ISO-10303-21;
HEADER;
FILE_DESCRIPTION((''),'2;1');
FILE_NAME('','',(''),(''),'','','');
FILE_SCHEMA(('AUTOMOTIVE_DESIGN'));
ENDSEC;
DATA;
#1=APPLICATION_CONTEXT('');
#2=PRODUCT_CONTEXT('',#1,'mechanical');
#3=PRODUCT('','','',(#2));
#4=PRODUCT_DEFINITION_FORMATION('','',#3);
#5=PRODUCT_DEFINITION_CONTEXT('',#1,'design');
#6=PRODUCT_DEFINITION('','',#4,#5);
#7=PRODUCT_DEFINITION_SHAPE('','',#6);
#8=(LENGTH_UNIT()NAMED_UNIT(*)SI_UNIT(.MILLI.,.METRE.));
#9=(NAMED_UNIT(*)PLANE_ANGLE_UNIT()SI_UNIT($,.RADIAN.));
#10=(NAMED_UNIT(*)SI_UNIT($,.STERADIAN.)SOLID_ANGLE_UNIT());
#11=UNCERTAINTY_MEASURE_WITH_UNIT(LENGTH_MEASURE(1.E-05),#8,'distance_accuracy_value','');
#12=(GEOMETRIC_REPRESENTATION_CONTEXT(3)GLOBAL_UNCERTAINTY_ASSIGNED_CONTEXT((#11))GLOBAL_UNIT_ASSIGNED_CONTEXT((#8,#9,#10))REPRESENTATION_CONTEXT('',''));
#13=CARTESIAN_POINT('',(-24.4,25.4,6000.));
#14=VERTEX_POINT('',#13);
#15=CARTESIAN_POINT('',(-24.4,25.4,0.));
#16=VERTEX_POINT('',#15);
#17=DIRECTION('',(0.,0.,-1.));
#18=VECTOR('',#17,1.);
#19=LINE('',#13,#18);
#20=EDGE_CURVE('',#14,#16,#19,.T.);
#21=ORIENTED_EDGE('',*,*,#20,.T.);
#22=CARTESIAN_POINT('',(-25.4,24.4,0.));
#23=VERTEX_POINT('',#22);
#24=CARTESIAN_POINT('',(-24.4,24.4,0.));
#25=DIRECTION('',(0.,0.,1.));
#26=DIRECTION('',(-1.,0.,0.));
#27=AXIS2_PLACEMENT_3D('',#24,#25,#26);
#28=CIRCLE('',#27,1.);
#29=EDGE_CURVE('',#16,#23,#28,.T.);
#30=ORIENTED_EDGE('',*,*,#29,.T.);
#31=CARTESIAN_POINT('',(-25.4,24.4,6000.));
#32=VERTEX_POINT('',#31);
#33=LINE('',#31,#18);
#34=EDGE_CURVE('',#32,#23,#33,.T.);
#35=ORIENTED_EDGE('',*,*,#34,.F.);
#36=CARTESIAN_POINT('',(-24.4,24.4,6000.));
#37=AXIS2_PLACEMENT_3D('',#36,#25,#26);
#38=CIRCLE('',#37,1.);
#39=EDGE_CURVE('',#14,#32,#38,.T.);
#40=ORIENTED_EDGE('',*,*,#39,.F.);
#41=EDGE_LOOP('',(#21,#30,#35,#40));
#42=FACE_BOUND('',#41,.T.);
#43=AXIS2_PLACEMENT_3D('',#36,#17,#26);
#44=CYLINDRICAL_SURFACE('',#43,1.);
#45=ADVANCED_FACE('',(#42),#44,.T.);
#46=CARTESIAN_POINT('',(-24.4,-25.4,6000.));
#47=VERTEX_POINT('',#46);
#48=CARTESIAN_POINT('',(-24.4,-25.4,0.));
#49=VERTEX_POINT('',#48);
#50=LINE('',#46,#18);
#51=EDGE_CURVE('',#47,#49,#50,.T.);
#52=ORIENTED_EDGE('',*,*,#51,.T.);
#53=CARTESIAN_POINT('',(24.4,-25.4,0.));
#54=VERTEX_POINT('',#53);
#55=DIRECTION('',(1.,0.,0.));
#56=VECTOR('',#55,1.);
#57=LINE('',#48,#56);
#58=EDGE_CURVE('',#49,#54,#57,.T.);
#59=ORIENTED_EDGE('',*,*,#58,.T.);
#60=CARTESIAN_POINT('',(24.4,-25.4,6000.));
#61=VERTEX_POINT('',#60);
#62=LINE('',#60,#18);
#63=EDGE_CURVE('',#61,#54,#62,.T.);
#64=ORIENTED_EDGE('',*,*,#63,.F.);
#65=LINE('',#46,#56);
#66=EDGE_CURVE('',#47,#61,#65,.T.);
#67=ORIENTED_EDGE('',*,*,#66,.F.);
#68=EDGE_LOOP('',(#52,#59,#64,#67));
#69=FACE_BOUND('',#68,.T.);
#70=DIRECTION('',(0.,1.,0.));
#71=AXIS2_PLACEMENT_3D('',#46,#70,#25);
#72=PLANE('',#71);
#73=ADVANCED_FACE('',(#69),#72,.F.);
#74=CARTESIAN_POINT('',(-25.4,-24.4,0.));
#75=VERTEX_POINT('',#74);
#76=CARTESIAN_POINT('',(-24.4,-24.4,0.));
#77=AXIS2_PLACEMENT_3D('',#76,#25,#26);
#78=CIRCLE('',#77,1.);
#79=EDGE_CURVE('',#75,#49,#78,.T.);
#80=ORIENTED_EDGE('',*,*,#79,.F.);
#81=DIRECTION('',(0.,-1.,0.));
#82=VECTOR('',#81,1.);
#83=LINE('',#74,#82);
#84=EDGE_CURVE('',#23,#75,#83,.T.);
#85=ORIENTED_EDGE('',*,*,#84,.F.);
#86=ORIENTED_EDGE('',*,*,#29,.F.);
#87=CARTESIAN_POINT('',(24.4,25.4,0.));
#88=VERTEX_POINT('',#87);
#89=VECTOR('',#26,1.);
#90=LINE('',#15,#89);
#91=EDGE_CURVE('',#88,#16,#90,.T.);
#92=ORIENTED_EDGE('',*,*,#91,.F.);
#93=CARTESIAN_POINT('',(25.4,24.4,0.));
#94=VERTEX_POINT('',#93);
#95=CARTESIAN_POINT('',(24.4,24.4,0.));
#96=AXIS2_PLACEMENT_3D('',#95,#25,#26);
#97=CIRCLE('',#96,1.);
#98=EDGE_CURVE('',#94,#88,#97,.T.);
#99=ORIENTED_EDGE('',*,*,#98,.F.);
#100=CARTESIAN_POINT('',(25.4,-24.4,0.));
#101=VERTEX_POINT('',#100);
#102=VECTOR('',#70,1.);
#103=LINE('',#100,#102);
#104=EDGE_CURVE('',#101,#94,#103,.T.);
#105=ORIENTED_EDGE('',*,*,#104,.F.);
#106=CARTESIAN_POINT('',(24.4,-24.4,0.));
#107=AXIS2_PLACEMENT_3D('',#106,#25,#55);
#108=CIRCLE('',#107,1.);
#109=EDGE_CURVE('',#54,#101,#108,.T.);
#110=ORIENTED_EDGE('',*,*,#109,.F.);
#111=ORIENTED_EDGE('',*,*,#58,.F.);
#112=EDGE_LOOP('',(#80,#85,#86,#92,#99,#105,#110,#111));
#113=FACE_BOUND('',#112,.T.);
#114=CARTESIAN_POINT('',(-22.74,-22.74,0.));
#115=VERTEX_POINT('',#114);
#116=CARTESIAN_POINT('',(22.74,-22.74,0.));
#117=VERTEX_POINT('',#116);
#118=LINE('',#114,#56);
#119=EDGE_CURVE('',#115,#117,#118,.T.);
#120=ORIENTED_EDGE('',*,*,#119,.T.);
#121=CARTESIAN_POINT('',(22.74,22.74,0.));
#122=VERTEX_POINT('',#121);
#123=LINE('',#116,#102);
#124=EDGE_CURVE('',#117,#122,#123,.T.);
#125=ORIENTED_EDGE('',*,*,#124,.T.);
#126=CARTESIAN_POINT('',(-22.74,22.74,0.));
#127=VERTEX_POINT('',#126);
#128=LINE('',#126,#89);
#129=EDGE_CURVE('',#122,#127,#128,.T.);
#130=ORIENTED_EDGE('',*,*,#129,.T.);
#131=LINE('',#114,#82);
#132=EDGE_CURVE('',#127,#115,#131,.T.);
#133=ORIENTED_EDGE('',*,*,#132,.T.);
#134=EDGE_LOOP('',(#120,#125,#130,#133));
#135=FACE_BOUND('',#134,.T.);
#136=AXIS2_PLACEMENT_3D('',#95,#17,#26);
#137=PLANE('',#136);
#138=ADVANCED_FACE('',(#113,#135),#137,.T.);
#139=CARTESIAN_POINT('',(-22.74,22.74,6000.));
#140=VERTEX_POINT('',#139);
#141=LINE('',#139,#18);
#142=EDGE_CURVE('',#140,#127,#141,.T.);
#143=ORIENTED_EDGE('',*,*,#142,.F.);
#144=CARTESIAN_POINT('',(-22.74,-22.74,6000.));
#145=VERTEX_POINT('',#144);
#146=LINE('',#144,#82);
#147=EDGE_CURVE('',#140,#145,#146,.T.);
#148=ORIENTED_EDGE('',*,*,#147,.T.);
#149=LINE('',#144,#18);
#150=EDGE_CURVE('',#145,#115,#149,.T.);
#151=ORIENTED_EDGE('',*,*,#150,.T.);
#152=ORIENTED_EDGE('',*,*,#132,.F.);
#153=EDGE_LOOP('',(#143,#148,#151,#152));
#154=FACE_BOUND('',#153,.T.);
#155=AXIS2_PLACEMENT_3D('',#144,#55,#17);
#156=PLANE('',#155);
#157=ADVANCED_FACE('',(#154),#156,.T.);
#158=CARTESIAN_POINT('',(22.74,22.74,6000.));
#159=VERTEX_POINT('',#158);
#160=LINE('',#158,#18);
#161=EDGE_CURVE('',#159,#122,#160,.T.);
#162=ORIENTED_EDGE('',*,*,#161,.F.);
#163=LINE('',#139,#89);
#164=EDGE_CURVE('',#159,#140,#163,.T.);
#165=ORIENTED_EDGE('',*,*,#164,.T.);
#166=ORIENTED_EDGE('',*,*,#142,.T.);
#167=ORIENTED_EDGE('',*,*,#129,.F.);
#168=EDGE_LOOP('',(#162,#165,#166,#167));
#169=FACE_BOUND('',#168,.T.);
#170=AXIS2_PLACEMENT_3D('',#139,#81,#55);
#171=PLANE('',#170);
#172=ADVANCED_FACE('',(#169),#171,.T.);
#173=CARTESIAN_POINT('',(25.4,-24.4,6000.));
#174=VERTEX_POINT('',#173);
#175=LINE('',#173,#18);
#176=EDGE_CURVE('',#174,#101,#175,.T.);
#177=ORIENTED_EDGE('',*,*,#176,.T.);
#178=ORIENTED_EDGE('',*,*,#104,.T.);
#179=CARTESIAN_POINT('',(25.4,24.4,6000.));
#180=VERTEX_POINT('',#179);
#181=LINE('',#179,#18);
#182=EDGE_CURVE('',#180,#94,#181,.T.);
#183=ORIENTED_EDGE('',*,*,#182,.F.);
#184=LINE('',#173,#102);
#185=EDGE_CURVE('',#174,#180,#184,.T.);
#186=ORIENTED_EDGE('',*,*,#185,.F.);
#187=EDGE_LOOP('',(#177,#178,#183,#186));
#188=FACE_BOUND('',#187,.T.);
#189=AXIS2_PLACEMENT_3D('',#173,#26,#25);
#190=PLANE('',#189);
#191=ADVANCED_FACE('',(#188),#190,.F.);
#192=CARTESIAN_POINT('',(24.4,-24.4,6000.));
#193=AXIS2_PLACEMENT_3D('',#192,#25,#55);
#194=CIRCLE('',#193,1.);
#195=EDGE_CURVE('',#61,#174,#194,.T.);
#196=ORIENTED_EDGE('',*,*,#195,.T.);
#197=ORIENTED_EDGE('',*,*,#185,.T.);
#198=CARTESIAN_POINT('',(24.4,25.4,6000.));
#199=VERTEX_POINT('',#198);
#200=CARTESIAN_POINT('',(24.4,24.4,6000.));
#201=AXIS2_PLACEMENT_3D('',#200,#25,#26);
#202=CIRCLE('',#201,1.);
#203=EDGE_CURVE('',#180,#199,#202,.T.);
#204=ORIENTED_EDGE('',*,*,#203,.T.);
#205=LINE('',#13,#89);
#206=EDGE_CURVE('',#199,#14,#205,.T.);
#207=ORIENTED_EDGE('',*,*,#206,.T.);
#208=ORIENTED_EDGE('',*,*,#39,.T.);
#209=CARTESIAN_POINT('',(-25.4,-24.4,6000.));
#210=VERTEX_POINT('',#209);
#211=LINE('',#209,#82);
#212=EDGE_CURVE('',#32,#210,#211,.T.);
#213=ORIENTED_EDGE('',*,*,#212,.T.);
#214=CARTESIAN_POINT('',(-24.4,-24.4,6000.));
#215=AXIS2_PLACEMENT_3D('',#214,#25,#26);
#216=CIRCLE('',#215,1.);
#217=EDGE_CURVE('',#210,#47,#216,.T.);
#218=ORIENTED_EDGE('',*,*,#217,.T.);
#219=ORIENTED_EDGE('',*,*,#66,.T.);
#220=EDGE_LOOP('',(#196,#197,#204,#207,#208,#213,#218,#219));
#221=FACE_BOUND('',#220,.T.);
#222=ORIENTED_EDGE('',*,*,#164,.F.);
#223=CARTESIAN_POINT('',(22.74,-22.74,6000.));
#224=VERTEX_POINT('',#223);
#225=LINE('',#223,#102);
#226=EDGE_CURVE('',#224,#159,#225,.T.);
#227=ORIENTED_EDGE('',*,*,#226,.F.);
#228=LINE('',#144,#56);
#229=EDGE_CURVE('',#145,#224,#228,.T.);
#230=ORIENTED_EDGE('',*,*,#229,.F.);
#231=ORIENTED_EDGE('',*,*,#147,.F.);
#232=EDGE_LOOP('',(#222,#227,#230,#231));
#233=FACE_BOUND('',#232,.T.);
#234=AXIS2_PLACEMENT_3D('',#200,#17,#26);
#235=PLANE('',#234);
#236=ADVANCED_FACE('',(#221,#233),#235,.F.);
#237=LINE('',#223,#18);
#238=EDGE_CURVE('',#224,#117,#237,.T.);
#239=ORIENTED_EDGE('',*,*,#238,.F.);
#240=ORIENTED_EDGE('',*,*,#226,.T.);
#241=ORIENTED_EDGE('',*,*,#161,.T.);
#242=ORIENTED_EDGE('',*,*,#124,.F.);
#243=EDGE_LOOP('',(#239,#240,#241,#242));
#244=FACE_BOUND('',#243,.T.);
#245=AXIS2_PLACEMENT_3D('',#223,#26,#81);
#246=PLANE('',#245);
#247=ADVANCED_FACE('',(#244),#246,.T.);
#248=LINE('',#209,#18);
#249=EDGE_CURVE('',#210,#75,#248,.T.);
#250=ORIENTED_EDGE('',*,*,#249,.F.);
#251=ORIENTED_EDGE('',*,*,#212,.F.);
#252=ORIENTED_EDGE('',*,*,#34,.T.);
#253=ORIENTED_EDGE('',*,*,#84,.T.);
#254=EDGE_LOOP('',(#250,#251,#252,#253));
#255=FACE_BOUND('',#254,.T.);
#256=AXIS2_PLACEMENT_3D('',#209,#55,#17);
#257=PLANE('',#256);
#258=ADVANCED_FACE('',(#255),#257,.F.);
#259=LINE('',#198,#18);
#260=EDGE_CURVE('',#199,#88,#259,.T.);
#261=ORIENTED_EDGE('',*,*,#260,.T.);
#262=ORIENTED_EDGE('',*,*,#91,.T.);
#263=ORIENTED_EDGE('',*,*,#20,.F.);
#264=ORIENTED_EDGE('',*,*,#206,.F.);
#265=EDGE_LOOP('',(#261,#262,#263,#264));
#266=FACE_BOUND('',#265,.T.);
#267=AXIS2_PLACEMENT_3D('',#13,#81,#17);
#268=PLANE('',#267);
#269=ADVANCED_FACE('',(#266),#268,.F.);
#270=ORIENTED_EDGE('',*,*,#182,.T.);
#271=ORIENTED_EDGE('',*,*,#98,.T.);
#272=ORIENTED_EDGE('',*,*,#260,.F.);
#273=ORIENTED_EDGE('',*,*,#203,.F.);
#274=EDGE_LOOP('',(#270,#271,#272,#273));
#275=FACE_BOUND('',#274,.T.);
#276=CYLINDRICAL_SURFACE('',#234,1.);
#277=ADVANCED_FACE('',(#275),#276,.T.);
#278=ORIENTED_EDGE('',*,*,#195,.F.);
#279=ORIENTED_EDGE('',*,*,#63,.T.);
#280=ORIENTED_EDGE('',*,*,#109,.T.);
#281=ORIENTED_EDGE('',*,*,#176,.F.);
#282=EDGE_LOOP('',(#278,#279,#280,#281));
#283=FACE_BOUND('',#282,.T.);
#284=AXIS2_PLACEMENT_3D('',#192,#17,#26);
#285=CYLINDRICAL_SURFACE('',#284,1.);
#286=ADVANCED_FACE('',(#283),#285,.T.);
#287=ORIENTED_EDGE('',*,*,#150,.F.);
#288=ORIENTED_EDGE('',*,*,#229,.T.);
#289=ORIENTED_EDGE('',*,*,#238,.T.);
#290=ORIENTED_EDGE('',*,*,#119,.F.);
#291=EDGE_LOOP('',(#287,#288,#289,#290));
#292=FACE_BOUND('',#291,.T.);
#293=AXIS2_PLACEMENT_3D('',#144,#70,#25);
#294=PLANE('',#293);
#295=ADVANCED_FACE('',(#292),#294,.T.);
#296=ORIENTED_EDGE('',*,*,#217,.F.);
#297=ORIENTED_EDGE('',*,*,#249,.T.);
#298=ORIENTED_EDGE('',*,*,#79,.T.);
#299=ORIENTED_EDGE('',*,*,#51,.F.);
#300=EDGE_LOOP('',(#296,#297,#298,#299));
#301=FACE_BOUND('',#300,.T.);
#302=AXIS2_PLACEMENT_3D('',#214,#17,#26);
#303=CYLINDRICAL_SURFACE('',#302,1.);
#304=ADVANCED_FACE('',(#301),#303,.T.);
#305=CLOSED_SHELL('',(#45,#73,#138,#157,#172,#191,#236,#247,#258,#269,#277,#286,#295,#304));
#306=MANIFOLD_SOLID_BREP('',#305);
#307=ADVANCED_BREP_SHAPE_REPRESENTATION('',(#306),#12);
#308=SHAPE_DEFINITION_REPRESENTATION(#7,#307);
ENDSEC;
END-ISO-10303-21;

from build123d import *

# Parameters (mm, degrees)
CROQUIS1_W              = 45.48
CROQUIS1_H              = 45.48
SALIENTE_EXTRUIR1_DEPTH = 6000


with BuildPart() as part:
    # Croquis1 → Saliente-Extruir1 (new body)
    with BuildSketch(Plane.XY):
        with BuildLine():
            Line((-24.4, -25.4), (24.4, -25.4))
            ThreePointArc((24.4, -25.4), (25.107106781, -25.107106781), (25.4, -24.4))
            Line((25.4, -24.4), (25.4, 24.4))
            ThreePointArc((25.4, 24.4), (25.107106781, 25.107106781), (24.4, 25.4))
            Line((24.4, 25.4), (-24.4, 25.4))
            ThreePointArc((-24.4, 25.4), (-25.107106781, 25.107106781), (-25.4, 24.4))
            Line((-25.4, 24.4), (-25.4, -24.4))
            ThreePointArc((-25.4, -24.4), (-25.107106781, -25.107106781), (-24.4, -25.4))
        make_face()
        Rectangle(CROQUIS1_W, CROQUIS1_H, mode=Mode.SUBTRACT)
    extrude(amount=SALIENTE_EXTRUIR1_DEPTH)


solid = part.part
